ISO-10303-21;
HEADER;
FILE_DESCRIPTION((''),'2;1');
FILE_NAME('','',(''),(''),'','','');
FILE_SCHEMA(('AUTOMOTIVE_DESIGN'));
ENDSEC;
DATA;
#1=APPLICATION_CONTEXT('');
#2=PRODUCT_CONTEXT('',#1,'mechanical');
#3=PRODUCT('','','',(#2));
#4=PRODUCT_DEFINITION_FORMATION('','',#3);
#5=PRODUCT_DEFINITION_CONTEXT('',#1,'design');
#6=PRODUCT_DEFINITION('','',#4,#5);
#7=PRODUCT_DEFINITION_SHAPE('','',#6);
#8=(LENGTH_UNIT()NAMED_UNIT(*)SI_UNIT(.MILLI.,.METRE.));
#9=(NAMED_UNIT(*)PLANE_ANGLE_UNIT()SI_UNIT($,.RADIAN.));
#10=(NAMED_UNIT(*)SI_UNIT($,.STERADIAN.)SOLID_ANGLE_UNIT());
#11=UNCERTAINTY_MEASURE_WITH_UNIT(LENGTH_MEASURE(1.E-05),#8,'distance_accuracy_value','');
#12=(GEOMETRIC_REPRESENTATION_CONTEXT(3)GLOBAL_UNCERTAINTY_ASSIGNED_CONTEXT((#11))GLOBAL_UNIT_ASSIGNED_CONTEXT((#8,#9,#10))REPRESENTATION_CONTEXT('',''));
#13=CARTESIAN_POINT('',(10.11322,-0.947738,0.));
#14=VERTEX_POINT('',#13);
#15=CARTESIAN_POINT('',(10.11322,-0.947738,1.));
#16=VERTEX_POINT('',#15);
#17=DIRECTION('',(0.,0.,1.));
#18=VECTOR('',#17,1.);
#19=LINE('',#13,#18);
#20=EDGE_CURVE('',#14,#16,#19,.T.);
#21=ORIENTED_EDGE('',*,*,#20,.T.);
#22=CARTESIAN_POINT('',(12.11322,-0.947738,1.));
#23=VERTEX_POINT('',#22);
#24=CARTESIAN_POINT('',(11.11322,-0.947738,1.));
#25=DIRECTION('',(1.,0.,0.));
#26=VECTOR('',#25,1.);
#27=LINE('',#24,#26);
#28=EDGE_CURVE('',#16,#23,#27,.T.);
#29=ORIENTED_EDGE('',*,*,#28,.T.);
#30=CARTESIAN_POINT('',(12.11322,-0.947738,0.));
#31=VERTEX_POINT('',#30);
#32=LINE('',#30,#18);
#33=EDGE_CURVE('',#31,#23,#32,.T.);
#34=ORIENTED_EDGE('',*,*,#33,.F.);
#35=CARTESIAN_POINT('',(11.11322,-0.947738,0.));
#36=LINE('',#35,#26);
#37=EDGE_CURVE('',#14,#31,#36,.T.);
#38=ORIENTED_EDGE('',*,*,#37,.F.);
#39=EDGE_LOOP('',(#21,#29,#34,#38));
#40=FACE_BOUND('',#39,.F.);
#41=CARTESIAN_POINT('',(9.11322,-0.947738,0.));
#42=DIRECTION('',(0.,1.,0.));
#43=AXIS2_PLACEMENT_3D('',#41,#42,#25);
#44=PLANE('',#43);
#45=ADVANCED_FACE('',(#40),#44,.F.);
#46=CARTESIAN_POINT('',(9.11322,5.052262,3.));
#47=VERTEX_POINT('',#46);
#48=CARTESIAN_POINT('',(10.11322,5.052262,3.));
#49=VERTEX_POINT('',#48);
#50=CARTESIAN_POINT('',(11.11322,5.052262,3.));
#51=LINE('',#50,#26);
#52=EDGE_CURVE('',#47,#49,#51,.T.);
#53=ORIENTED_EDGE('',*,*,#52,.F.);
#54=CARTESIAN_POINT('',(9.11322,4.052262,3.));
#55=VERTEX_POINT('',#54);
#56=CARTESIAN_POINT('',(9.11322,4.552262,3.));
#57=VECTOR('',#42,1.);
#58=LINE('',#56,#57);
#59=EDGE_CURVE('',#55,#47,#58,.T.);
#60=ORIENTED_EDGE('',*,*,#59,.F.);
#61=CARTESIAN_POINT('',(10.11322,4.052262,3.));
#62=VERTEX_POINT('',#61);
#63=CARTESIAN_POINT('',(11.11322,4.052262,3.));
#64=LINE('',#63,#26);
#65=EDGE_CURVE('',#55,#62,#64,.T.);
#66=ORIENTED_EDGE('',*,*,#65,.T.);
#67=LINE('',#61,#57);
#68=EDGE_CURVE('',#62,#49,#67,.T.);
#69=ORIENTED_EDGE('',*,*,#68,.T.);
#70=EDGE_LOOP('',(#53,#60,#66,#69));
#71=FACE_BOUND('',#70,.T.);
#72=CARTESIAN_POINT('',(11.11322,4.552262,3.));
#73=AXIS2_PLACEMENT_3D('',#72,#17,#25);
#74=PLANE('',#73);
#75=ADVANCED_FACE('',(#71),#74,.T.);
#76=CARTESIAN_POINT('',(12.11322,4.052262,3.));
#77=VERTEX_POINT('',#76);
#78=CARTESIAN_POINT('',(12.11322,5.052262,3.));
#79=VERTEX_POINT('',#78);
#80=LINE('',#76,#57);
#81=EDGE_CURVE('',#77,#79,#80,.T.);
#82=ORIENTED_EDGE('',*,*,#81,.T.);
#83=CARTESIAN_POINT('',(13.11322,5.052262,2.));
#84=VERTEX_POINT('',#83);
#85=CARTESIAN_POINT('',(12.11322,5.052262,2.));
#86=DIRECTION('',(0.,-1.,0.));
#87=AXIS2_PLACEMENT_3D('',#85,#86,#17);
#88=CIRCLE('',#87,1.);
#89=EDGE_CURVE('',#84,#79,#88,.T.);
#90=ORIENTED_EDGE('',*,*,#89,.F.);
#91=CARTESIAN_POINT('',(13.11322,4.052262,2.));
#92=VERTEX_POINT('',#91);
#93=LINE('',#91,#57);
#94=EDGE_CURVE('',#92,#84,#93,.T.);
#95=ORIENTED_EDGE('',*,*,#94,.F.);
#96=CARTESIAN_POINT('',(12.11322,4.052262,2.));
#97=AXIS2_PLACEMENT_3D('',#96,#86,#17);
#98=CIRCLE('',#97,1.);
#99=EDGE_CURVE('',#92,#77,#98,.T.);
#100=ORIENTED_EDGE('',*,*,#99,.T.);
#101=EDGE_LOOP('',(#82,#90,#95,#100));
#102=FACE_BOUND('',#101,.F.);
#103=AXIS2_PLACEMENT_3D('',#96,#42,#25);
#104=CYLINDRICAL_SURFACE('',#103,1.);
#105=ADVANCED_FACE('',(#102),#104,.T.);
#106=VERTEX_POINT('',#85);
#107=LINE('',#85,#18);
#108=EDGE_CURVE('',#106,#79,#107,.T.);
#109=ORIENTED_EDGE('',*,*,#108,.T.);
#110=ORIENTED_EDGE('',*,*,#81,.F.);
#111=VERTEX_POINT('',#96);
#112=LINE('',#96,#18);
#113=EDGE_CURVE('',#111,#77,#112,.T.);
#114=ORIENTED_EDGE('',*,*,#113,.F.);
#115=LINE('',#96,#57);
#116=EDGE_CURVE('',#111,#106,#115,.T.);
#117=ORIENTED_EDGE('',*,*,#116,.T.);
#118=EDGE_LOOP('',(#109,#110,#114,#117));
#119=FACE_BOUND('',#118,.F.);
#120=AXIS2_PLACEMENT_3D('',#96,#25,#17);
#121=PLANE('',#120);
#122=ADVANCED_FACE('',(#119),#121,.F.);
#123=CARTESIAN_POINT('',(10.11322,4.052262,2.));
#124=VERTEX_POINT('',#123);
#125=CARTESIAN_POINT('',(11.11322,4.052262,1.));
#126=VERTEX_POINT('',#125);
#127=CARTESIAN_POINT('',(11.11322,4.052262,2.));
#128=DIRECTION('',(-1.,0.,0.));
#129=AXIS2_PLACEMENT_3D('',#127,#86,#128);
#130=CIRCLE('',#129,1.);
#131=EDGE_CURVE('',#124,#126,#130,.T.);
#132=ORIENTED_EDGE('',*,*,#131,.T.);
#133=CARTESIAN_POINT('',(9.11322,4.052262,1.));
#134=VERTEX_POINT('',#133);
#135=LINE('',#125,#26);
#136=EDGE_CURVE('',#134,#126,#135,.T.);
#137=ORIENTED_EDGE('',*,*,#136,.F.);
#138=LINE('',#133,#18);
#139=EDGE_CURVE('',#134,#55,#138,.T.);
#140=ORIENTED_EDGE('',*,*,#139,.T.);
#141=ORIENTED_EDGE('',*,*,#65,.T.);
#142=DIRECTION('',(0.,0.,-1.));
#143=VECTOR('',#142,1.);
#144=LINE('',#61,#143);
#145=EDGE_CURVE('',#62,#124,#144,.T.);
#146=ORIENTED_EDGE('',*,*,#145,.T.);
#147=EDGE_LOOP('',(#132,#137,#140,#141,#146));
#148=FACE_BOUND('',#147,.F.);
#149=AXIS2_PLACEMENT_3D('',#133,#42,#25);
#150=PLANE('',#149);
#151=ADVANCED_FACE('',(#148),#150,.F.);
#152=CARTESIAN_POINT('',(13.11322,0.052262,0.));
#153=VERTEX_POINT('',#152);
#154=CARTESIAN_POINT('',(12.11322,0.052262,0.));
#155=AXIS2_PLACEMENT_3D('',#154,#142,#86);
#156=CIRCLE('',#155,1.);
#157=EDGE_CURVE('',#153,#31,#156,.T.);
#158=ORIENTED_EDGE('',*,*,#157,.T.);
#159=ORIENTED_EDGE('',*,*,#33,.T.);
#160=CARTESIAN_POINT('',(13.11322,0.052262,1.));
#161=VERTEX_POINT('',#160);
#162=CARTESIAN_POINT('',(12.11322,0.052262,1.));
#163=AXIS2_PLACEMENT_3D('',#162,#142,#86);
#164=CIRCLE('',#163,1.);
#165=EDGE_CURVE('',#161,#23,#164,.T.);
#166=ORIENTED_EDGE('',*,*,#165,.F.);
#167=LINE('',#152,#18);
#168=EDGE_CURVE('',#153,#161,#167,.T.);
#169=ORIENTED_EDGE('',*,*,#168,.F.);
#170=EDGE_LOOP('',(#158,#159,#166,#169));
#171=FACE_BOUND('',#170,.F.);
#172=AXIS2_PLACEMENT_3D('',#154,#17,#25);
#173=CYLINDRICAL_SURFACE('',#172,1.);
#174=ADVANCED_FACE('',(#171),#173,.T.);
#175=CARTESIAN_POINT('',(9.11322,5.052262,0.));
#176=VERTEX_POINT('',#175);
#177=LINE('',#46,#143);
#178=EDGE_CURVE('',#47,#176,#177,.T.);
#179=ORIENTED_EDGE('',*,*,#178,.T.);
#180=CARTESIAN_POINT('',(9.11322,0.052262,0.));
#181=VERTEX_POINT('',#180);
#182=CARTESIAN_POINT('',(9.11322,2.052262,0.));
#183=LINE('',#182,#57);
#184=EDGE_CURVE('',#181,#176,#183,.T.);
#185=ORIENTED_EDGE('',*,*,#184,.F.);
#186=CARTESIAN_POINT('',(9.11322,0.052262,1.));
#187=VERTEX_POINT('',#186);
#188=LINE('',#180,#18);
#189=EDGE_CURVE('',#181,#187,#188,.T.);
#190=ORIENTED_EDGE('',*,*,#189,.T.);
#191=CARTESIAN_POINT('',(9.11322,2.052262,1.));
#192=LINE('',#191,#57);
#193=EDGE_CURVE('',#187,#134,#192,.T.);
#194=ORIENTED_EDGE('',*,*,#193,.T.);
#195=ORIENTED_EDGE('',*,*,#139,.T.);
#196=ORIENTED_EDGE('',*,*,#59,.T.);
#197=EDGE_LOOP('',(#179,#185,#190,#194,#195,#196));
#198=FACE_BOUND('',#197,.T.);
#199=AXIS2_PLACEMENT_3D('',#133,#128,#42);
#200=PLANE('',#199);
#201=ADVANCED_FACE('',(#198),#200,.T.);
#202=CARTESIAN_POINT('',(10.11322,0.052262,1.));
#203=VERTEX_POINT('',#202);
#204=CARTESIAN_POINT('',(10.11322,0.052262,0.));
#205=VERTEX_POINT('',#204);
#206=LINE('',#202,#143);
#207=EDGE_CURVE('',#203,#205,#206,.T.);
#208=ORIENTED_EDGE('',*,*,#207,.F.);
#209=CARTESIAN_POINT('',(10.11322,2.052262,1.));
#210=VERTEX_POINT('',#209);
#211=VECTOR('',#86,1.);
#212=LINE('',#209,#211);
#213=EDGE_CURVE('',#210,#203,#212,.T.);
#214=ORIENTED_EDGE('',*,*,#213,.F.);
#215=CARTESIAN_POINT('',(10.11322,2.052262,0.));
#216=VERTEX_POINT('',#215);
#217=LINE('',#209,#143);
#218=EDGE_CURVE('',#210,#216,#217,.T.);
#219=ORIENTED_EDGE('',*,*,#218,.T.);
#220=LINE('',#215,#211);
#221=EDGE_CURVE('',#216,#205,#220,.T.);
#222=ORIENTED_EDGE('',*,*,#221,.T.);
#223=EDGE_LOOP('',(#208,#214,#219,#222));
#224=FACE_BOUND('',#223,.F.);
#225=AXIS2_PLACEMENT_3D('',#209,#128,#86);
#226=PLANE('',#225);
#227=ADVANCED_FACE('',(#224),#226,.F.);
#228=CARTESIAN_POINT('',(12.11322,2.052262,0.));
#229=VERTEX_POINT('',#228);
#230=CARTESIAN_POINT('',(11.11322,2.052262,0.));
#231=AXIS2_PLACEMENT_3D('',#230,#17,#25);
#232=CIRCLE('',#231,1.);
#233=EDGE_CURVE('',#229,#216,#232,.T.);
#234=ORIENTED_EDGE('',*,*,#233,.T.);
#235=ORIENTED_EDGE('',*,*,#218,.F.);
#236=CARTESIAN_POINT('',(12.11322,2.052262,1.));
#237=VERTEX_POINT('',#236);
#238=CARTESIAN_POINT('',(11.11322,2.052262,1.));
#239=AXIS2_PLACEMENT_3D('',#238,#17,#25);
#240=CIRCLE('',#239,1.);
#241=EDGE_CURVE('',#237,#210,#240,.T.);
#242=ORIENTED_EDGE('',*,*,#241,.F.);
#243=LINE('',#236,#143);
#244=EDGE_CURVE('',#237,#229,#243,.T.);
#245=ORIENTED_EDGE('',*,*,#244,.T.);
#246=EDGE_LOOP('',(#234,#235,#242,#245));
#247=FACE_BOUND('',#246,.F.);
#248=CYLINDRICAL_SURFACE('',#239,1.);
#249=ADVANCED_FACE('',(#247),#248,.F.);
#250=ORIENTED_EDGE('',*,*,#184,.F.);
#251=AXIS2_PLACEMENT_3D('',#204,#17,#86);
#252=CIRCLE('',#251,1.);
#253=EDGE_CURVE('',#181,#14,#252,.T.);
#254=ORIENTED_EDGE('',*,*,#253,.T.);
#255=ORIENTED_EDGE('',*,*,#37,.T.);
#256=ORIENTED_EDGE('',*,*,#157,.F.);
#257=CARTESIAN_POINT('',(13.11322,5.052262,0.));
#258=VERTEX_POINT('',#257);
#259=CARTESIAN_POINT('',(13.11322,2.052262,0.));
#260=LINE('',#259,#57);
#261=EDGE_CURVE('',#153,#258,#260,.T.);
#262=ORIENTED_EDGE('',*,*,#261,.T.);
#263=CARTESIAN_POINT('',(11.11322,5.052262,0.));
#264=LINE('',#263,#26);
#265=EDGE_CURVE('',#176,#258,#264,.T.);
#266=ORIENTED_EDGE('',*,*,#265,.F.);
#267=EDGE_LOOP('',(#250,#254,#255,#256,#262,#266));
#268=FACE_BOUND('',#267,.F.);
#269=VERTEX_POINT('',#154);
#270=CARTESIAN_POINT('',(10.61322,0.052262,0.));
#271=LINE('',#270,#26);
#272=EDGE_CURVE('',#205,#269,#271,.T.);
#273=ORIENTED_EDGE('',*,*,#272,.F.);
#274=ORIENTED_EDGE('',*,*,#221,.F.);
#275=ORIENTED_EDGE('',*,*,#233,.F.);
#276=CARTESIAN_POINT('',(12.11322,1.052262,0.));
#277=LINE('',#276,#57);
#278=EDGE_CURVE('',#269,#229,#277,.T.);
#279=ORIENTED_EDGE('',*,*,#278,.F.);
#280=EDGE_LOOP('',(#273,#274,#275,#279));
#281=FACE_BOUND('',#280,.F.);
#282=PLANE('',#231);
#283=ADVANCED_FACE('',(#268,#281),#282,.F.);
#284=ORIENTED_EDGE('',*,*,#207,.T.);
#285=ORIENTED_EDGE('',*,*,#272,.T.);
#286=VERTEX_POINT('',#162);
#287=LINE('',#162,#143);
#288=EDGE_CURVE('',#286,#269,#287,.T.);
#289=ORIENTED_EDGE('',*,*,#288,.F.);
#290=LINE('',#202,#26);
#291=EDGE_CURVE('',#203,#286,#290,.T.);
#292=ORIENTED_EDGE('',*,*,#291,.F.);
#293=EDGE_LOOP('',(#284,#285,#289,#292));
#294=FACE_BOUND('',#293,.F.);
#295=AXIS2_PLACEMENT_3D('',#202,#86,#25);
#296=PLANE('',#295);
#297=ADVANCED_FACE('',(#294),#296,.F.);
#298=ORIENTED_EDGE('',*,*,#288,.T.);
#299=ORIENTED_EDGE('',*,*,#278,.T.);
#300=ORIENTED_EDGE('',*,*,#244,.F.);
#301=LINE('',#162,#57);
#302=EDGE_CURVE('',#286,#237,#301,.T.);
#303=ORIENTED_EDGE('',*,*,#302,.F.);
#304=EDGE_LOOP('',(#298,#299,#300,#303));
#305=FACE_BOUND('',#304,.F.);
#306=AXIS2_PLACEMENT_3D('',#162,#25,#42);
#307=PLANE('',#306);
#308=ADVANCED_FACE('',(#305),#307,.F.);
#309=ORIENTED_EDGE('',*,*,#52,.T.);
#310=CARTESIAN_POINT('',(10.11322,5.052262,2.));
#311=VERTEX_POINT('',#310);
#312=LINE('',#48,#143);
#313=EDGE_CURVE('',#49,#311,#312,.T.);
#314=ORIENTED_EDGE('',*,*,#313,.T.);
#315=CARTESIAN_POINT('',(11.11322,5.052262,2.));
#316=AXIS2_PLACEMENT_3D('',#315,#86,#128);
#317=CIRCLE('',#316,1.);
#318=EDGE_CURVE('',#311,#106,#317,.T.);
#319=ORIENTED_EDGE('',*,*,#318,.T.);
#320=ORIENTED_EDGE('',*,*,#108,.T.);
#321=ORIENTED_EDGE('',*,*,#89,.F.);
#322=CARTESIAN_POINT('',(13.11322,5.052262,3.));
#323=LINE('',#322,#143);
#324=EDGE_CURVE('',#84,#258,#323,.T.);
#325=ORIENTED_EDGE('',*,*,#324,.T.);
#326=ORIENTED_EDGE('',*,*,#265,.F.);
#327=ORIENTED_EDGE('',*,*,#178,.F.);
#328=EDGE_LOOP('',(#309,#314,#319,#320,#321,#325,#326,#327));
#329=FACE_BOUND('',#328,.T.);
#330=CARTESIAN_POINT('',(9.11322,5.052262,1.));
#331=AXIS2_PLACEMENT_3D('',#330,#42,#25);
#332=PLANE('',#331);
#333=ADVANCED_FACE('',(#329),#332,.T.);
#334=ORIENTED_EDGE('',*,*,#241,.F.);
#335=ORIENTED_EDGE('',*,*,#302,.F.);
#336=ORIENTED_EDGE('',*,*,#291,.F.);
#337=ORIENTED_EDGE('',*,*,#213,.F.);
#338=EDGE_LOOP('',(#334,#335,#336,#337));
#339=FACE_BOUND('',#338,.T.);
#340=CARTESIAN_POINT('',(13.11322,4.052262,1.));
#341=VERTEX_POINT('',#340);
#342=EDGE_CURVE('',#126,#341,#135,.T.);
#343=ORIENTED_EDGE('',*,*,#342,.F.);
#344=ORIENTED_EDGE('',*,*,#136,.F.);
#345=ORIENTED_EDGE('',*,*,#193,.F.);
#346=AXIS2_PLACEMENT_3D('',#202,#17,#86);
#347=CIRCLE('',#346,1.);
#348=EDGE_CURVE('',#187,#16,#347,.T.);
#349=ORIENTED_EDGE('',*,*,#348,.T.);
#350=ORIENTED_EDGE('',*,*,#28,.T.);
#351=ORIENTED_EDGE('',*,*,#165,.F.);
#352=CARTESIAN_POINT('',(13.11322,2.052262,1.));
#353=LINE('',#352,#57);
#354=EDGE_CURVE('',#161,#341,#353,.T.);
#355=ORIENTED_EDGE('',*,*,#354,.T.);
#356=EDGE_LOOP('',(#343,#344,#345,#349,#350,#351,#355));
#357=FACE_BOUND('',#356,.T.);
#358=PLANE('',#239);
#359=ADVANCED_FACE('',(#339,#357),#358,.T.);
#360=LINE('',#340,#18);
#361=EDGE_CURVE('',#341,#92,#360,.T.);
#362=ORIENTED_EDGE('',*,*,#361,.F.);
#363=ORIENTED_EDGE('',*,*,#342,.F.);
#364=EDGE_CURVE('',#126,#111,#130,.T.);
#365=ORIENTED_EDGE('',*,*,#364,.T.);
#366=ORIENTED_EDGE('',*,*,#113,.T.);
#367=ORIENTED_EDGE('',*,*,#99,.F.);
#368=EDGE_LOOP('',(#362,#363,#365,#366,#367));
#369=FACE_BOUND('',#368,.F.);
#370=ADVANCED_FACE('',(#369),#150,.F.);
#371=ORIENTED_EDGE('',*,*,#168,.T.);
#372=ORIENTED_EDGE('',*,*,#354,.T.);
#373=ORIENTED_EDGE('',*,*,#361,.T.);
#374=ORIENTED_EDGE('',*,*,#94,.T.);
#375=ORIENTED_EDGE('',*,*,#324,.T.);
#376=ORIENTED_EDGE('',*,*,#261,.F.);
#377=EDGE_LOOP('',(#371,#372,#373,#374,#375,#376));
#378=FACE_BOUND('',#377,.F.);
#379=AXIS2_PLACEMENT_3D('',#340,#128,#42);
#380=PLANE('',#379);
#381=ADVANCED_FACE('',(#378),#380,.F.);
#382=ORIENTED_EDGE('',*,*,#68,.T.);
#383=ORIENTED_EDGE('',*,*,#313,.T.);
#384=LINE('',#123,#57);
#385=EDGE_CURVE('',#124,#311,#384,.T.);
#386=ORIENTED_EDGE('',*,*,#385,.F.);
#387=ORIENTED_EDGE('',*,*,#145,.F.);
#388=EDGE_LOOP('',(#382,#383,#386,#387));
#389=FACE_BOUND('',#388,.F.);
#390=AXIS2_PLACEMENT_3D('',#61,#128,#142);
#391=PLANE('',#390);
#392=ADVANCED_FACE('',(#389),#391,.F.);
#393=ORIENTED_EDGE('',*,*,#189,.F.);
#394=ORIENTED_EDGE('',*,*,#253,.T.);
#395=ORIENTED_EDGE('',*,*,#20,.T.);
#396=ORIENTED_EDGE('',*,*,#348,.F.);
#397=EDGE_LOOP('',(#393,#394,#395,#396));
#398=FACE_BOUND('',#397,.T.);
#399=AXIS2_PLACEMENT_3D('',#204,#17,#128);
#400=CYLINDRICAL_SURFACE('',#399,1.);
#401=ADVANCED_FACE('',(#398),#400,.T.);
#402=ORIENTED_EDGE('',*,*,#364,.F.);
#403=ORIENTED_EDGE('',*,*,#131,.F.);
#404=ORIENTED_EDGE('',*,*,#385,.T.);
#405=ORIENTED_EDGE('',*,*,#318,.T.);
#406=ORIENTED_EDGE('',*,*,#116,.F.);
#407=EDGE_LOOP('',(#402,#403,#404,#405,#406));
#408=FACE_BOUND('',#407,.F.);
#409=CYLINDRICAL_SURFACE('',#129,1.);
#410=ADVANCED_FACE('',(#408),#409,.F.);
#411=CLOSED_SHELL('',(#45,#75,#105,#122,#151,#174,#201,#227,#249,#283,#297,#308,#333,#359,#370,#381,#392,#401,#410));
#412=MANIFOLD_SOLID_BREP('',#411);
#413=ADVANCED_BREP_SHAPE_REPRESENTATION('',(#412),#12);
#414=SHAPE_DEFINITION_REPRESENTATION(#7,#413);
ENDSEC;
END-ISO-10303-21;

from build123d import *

# Parameters (mm, degrees)
F0_W     = 4
F0_H     = 6
F1_DEPTH = 1
F3_DEPTH = 25
F4_W     = 4
F4_H     = 1
F5_DEPTH = 2
F6_R     = 1
F8_DEPTH = 1


with BuildPart() as f1:
    # F0 (on Top) → F1 (new body)
    with BuildSketch(Plane.XY):
        with Locations((11.1132203601, 2.0522621416)):
            Rectangle(F0_W, F0_H)
    extrude(amount=F1_DEPTH)

    # F2 (on face) → F3 (cut)
    with BuildSketch(Plane.XY.offset(1)):
        with BuildLine():
            Line((10.1132203601, 2.0522621416), (10.1132203601, 0.0522621416))
            Line((10.1132203601, 0.0522621416), (12.1132203601, 0.0522621416))
            Line((12.1132203601, 0.0522621416), (12.1132203601, 2.0522621416))
            ThreePointArc((12.1132203601, 2.0522621416), (11.1132203601, 1.0522621416), (10.1132203601, 2.0522621416))
        make_face()
        with BuildLine():
            ThreePointArc((12.1132203601, 2.0522621416), (11.1132203601, 3.0522621416), (10.1132203601, 2.0522621416))
            Line((10.1132203601, 2.0522621416), (12.1132203601, 2.0522621416))
        make_face()
        with BuildLine():
            Line((12.1132203601, 2.0522621416), (10.1132203601, 2.0522621416))
            ThreePointArc((10.1132203601, 2.0522621416), (11.1132203601, 1.0522621416), (12.1132203601, 2.0522621416))
        make_face()
    extrude(amount=-F3_DEPTH, mode=Mode.SUBTRACT)

    # F4 (on face) → F5 (join)
    with BuildSketch(Plane.XY.offset(1)):
        with Locations((11.1132203601, 4.5522621416)):
            Rectangle(F4_W, F4_H)
    extrude(amount=F5_DEPTH)

    # F6
    f6_edges = [f1.edges().sort_by_distance(p)[0] for p in [
        (13.11322, 4.552262, 3),
        (13.11322, -0.947738, 0.5),
        (9.11322, -0.947738, 0.5),
    ]]
    fillet(f6_edges, radius=F6_R)

    # F7 (on face) → F8 (cut)
    with BuildSketch(Plane.XZ.offset(-4.0522621416)):
        with BuildLine():
            Line((11.1132203601, 3), (10.1132203601, 3))
            Line((10.1132203601, 3), (10.1132203601, 2))
            ThreePointArc((10.1132203601, 2), (10.4061135789, 2.7071067812), (11.1132203601, 3))
        make_face()
        with BuildLine():
            ThreePointArc((11.1132203601, 3), (10.4061135789, 2.7071067812), (10.1132203601, 2))
            ThreePointArc((10.1132203601, 2), (11.1132203601, 1), (12.1132203601, 2))
            ThreePointArc((12.1132203601, 2), (11.8203271413, 2.7071067812), (11.1132203601, 3))
        make_face()
        with BuildLine():
            Line((12.1132203601, 3), (11.1132203601, 3))
            ThreePointArc((11.1132203601, 3), (11.8203271413, 2.7071067812), (12.1132203601, 2))
            Line((12.1132203601, 2), (12.1132203601, 3))
        make_face()
    extrude(amount=-F8_DEPTH, mode=Mode.SUBTRACT)


solid = f1.part
